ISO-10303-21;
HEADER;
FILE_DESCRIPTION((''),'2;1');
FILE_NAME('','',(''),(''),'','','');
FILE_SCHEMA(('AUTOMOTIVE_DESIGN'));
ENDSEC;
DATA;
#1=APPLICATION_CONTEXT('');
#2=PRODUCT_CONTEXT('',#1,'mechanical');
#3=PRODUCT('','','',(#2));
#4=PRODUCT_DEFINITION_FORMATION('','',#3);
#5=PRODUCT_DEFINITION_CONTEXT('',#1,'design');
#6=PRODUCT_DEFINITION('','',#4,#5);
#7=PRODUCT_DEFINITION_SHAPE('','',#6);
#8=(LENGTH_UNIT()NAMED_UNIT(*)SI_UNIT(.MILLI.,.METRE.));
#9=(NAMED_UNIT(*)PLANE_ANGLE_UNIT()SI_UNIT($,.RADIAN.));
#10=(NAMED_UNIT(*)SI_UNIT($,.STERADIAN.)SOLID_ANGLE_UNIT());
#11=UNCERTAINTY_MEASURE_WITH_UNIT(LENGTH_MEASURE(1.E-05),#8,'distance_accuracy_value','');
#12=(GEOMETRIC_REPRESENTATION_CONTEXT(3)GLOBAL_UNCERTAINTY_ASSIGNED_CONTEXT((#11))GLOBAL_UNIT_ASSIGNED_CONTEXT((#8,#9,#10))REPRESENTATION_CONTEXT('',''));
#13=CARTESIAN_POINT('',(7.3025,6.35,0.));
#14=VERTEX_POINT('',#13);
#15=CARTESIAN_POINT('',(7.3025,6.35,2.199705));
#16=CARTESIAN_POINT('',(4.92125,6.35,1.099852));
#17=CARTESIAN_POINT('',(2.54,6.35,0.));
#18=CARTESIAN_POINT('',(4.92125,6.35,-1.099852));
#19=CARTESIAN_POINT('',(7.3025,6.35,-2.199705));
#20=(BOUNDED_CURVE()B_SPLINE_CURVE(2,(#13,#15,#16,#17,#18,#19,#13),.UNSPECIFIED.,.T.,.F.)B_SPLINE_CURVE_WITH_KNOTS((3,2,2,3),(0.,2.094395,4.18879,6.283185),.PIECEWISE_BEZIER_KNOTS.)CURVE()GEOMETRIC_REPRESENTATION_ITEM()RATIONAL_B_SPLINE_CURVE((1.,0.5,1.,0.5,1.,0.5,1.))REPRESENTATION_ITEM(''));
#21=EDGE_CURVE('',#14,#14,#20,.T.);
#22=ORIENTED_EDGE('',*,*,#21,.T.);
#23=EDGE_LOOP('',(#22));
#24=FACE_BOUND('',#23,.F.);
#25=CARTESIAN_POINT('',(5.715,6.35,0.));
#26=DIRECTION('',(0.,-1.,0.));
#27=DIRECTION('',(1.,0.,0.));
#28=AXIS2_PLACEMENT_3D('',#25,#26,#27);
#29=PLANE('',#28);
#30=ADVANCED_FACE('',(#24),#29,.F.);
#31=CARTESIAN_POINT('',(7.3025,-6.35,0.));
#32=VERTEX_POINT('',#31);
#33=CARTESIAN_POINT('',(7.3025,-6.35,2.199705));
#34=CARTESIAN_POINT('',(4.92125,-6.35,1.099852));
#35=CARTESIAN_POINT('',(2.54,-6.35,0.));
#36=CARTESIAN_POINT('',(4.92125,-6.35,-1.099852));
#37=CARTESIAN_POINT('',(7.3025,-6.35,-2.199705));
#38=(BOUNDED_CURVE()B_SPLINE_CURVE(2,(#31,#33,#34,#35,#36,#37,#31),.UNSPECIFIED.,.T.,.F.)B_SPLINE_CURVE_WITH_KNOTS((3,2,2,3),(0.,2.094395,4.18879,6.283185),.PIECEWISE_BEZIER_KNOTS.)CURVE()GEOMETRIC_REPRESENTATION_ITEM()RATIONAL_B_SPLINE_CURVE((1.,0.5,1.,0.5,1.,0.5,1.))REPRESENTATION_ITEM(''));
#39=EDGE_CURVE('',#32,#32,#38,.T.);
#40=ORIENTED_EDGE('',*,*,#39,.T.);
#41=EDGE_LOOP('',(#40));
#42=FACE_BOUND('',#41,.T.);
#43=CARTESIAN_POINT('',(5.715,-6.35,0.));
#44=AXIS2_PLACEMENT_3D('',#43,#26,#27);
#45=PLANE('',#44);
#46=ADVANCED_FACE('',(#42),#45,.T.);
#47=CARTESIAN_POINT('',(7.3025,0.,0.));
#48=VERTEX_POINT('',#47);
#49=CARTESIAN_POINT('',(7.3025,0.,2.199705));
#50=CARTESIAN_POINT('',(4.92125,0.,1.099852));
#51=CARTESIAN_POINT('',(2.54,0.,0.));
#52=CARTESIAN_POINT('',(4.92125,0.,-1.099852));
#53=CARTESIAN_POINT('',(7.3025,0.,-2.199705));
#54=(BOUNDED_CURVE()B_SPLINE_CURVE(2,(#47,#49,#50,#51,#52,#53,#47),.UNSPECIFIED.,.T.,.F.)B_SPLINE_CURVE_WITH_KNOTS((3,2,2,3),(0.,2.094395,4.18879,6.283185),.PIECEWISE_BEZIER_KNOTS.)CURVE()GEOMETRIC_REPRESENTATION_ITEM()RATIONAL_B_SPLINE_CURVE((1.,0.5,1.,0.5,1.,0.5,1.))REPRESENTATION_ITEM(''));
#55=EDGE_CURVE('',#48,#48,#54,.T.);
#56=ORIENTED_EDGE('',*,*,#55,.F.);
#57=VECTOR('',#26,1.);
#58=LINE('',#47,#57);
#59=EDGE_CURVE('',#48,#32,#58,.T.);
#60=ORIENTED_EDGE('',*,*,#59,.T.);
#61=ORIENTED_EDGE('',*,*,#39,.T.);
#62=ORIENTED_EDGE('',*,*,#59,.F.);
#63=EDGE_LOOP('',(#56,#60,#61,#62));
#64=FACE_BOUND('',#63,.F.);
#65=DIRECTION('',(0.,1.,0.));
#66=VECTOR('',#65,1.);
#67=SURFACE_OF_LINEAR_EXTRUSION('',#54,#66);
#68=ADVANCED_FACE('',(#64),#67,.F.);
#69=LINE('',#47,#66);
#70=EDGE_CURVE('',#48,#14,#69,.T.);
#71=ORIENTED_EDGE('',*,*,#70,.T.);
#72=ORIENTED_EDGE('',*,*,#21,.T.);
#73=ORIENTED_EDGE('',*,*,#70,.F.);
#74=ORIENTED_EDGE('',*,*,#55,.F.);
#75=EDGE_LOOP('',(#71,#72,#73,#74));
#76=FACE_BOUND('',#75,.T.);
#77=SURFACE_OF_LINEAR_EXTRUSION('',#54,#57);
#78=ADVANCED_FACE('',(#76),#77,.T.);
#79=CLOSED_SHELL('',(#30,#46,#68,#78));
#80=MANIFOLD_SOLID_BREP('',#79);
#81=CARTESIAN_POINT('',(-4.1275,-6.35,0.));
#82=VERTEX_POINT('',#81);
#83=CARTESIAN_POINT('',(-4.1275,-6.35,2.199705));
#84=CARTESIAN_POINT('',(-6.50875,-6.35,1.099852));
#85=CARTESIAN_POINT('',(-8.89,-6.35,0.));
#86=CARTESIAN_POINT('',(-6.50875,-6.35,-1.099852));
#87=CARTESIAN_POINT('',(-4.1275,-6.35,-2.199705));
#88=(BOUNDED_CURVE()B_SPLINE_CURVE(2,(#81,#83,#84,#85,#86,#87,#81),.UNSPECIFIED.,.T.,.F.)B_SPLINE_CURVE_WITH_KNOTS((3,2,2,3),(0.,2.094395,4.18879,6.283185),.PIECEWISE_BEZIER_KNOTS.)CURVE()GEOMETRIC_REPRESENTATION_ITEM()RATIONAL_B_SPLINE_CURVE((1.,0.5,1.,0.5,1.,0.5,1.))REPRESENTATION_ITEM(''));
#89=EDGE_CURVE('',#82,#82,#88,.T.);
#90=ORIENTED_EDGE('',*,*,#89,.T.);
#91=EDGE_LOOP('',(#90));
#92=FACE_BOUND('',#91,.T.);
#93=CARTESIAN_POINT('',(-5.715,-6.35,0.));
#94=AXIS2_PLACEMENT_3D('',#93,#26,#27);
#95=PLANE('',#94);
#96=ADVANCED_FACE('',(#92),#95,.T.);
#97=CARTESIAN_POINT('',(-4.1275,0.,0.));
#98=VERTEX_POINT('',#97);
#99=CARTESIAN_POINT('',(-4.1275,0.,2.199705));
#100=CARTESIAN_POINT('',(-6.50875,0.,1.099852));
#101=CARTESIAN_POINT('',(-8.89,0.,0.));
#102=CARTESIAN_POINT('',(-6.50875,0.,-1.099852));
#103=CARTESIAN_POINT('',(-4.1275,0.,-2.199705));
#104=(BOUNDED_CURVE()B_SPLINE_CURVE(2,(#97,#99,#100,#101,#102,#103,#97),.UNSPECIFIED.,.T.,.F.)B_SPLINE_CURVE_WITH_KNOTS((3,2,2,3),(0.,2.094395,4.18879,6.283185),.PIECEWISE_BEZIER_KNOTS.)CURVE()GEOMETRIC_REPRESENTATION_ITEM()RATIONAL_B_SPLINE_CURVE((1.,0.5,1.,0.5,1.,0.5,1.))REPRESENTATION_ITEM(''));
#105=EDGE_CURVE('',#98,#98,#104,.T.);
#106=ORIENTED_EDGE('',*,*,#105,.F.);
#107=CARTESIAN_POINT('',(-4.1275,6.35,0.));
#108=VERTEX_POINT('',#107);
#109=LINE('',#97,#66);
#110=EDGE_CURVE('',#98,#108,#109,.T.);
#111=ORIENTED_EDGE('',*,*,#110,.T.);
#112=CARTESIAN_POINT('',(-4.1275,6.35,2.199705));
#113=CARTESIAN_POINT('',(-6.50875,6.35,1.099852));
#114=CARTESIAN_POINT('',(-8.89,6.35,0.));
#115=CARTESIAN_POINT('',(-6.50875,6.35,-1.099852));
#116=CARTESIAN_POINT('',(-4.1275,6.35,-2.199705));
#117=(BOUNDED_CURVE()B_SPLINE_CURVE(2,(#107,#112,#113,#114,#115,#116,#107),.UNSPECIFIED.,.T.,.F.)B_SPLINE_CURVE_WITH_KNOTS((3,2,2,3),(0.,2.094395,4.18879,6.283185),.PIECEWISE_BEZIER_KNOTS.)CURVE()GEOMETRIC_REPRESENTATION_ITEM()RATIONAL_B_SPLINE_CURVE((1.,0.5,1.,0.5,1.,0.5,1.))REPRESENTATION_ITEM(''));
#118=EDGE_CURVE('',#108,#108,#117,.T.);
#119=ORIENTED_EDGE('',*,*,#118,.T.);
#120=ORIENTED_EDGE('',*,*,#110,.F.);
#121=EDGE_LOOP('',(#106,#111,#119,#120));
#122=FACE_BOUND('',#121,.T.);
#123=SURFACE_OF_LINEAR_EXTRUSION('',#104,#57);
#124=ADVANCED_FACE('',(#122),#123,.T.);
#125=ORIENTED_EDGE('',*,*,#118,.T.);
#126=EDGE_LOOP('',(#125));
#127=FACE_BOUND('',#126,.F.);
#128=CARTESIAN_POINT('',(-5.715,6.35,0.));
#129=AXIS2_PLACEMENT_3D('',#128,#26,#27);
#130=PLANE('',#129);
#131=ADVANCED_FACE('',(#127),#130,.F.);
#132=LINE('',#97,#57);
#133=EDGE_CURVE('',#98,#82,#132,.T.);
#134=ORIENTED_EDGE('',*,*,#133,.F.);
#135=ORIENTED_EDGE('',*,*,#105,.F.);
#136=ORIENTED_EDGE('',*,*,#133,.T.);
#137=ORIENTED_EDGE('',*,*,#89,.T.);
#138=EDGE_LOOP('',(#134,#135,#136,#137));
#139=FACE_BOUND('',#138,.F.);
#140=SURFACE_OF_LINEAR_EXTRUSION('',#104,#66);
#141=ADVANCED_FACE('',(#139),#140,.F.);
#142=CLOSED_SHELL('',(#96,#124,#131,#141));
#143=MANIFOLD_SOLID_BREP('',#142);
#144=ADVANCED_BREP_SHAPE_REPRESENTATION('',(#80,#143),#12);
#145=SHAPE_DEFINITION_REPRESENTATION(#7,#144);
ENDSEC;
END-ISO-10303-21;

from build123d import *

# Parameters (mm, degrees)
F1_DEPTH = 6.35


with BuildPart() as f1:
    # F0 (on Front) → F1 (new body, symmetric)
    with BuildSketch(Plane.XZ):
        with BuildLine():
            add(Edge.make_bspline(
                [(-4.1275, 0), (-4.1275, 2.199705), (-6.50875, 1.099852), (-8.89, 0), (-6.50875, -1.099852), (-4.1275, -2.199705), (-4.1275, 0)],
                knots=[0, 0, 0, 2.094395, 2.094395, 4.18879, 4.18879, 6.283185, 6.283185, 6.283185], degree=2, weights=[1, 0.5, 1, 0.5, 1, 0.5, 1]))
        make_face()
        with BuildLine():
            add(Edge.make_bspline(
                [(7.3025, 0), (7.3025, 2.199705), (4.92125, 1.099852), (2.54, 0), (4.92125, -1.099852), (7.3025, -2.199705), (7.3025, 0)],
                knots=[0, 0, 0, 2.094395, 2.094395, 4.18879, 4.18879, 6.283185, 6.283185, 6.283185], degree=2, weights=[1, 0.5, 1, 0.5, 1, 0.5, 1]))
        make_face()
    extrude(amount=F1_DEPTH, both=True)


solid = f1.part
